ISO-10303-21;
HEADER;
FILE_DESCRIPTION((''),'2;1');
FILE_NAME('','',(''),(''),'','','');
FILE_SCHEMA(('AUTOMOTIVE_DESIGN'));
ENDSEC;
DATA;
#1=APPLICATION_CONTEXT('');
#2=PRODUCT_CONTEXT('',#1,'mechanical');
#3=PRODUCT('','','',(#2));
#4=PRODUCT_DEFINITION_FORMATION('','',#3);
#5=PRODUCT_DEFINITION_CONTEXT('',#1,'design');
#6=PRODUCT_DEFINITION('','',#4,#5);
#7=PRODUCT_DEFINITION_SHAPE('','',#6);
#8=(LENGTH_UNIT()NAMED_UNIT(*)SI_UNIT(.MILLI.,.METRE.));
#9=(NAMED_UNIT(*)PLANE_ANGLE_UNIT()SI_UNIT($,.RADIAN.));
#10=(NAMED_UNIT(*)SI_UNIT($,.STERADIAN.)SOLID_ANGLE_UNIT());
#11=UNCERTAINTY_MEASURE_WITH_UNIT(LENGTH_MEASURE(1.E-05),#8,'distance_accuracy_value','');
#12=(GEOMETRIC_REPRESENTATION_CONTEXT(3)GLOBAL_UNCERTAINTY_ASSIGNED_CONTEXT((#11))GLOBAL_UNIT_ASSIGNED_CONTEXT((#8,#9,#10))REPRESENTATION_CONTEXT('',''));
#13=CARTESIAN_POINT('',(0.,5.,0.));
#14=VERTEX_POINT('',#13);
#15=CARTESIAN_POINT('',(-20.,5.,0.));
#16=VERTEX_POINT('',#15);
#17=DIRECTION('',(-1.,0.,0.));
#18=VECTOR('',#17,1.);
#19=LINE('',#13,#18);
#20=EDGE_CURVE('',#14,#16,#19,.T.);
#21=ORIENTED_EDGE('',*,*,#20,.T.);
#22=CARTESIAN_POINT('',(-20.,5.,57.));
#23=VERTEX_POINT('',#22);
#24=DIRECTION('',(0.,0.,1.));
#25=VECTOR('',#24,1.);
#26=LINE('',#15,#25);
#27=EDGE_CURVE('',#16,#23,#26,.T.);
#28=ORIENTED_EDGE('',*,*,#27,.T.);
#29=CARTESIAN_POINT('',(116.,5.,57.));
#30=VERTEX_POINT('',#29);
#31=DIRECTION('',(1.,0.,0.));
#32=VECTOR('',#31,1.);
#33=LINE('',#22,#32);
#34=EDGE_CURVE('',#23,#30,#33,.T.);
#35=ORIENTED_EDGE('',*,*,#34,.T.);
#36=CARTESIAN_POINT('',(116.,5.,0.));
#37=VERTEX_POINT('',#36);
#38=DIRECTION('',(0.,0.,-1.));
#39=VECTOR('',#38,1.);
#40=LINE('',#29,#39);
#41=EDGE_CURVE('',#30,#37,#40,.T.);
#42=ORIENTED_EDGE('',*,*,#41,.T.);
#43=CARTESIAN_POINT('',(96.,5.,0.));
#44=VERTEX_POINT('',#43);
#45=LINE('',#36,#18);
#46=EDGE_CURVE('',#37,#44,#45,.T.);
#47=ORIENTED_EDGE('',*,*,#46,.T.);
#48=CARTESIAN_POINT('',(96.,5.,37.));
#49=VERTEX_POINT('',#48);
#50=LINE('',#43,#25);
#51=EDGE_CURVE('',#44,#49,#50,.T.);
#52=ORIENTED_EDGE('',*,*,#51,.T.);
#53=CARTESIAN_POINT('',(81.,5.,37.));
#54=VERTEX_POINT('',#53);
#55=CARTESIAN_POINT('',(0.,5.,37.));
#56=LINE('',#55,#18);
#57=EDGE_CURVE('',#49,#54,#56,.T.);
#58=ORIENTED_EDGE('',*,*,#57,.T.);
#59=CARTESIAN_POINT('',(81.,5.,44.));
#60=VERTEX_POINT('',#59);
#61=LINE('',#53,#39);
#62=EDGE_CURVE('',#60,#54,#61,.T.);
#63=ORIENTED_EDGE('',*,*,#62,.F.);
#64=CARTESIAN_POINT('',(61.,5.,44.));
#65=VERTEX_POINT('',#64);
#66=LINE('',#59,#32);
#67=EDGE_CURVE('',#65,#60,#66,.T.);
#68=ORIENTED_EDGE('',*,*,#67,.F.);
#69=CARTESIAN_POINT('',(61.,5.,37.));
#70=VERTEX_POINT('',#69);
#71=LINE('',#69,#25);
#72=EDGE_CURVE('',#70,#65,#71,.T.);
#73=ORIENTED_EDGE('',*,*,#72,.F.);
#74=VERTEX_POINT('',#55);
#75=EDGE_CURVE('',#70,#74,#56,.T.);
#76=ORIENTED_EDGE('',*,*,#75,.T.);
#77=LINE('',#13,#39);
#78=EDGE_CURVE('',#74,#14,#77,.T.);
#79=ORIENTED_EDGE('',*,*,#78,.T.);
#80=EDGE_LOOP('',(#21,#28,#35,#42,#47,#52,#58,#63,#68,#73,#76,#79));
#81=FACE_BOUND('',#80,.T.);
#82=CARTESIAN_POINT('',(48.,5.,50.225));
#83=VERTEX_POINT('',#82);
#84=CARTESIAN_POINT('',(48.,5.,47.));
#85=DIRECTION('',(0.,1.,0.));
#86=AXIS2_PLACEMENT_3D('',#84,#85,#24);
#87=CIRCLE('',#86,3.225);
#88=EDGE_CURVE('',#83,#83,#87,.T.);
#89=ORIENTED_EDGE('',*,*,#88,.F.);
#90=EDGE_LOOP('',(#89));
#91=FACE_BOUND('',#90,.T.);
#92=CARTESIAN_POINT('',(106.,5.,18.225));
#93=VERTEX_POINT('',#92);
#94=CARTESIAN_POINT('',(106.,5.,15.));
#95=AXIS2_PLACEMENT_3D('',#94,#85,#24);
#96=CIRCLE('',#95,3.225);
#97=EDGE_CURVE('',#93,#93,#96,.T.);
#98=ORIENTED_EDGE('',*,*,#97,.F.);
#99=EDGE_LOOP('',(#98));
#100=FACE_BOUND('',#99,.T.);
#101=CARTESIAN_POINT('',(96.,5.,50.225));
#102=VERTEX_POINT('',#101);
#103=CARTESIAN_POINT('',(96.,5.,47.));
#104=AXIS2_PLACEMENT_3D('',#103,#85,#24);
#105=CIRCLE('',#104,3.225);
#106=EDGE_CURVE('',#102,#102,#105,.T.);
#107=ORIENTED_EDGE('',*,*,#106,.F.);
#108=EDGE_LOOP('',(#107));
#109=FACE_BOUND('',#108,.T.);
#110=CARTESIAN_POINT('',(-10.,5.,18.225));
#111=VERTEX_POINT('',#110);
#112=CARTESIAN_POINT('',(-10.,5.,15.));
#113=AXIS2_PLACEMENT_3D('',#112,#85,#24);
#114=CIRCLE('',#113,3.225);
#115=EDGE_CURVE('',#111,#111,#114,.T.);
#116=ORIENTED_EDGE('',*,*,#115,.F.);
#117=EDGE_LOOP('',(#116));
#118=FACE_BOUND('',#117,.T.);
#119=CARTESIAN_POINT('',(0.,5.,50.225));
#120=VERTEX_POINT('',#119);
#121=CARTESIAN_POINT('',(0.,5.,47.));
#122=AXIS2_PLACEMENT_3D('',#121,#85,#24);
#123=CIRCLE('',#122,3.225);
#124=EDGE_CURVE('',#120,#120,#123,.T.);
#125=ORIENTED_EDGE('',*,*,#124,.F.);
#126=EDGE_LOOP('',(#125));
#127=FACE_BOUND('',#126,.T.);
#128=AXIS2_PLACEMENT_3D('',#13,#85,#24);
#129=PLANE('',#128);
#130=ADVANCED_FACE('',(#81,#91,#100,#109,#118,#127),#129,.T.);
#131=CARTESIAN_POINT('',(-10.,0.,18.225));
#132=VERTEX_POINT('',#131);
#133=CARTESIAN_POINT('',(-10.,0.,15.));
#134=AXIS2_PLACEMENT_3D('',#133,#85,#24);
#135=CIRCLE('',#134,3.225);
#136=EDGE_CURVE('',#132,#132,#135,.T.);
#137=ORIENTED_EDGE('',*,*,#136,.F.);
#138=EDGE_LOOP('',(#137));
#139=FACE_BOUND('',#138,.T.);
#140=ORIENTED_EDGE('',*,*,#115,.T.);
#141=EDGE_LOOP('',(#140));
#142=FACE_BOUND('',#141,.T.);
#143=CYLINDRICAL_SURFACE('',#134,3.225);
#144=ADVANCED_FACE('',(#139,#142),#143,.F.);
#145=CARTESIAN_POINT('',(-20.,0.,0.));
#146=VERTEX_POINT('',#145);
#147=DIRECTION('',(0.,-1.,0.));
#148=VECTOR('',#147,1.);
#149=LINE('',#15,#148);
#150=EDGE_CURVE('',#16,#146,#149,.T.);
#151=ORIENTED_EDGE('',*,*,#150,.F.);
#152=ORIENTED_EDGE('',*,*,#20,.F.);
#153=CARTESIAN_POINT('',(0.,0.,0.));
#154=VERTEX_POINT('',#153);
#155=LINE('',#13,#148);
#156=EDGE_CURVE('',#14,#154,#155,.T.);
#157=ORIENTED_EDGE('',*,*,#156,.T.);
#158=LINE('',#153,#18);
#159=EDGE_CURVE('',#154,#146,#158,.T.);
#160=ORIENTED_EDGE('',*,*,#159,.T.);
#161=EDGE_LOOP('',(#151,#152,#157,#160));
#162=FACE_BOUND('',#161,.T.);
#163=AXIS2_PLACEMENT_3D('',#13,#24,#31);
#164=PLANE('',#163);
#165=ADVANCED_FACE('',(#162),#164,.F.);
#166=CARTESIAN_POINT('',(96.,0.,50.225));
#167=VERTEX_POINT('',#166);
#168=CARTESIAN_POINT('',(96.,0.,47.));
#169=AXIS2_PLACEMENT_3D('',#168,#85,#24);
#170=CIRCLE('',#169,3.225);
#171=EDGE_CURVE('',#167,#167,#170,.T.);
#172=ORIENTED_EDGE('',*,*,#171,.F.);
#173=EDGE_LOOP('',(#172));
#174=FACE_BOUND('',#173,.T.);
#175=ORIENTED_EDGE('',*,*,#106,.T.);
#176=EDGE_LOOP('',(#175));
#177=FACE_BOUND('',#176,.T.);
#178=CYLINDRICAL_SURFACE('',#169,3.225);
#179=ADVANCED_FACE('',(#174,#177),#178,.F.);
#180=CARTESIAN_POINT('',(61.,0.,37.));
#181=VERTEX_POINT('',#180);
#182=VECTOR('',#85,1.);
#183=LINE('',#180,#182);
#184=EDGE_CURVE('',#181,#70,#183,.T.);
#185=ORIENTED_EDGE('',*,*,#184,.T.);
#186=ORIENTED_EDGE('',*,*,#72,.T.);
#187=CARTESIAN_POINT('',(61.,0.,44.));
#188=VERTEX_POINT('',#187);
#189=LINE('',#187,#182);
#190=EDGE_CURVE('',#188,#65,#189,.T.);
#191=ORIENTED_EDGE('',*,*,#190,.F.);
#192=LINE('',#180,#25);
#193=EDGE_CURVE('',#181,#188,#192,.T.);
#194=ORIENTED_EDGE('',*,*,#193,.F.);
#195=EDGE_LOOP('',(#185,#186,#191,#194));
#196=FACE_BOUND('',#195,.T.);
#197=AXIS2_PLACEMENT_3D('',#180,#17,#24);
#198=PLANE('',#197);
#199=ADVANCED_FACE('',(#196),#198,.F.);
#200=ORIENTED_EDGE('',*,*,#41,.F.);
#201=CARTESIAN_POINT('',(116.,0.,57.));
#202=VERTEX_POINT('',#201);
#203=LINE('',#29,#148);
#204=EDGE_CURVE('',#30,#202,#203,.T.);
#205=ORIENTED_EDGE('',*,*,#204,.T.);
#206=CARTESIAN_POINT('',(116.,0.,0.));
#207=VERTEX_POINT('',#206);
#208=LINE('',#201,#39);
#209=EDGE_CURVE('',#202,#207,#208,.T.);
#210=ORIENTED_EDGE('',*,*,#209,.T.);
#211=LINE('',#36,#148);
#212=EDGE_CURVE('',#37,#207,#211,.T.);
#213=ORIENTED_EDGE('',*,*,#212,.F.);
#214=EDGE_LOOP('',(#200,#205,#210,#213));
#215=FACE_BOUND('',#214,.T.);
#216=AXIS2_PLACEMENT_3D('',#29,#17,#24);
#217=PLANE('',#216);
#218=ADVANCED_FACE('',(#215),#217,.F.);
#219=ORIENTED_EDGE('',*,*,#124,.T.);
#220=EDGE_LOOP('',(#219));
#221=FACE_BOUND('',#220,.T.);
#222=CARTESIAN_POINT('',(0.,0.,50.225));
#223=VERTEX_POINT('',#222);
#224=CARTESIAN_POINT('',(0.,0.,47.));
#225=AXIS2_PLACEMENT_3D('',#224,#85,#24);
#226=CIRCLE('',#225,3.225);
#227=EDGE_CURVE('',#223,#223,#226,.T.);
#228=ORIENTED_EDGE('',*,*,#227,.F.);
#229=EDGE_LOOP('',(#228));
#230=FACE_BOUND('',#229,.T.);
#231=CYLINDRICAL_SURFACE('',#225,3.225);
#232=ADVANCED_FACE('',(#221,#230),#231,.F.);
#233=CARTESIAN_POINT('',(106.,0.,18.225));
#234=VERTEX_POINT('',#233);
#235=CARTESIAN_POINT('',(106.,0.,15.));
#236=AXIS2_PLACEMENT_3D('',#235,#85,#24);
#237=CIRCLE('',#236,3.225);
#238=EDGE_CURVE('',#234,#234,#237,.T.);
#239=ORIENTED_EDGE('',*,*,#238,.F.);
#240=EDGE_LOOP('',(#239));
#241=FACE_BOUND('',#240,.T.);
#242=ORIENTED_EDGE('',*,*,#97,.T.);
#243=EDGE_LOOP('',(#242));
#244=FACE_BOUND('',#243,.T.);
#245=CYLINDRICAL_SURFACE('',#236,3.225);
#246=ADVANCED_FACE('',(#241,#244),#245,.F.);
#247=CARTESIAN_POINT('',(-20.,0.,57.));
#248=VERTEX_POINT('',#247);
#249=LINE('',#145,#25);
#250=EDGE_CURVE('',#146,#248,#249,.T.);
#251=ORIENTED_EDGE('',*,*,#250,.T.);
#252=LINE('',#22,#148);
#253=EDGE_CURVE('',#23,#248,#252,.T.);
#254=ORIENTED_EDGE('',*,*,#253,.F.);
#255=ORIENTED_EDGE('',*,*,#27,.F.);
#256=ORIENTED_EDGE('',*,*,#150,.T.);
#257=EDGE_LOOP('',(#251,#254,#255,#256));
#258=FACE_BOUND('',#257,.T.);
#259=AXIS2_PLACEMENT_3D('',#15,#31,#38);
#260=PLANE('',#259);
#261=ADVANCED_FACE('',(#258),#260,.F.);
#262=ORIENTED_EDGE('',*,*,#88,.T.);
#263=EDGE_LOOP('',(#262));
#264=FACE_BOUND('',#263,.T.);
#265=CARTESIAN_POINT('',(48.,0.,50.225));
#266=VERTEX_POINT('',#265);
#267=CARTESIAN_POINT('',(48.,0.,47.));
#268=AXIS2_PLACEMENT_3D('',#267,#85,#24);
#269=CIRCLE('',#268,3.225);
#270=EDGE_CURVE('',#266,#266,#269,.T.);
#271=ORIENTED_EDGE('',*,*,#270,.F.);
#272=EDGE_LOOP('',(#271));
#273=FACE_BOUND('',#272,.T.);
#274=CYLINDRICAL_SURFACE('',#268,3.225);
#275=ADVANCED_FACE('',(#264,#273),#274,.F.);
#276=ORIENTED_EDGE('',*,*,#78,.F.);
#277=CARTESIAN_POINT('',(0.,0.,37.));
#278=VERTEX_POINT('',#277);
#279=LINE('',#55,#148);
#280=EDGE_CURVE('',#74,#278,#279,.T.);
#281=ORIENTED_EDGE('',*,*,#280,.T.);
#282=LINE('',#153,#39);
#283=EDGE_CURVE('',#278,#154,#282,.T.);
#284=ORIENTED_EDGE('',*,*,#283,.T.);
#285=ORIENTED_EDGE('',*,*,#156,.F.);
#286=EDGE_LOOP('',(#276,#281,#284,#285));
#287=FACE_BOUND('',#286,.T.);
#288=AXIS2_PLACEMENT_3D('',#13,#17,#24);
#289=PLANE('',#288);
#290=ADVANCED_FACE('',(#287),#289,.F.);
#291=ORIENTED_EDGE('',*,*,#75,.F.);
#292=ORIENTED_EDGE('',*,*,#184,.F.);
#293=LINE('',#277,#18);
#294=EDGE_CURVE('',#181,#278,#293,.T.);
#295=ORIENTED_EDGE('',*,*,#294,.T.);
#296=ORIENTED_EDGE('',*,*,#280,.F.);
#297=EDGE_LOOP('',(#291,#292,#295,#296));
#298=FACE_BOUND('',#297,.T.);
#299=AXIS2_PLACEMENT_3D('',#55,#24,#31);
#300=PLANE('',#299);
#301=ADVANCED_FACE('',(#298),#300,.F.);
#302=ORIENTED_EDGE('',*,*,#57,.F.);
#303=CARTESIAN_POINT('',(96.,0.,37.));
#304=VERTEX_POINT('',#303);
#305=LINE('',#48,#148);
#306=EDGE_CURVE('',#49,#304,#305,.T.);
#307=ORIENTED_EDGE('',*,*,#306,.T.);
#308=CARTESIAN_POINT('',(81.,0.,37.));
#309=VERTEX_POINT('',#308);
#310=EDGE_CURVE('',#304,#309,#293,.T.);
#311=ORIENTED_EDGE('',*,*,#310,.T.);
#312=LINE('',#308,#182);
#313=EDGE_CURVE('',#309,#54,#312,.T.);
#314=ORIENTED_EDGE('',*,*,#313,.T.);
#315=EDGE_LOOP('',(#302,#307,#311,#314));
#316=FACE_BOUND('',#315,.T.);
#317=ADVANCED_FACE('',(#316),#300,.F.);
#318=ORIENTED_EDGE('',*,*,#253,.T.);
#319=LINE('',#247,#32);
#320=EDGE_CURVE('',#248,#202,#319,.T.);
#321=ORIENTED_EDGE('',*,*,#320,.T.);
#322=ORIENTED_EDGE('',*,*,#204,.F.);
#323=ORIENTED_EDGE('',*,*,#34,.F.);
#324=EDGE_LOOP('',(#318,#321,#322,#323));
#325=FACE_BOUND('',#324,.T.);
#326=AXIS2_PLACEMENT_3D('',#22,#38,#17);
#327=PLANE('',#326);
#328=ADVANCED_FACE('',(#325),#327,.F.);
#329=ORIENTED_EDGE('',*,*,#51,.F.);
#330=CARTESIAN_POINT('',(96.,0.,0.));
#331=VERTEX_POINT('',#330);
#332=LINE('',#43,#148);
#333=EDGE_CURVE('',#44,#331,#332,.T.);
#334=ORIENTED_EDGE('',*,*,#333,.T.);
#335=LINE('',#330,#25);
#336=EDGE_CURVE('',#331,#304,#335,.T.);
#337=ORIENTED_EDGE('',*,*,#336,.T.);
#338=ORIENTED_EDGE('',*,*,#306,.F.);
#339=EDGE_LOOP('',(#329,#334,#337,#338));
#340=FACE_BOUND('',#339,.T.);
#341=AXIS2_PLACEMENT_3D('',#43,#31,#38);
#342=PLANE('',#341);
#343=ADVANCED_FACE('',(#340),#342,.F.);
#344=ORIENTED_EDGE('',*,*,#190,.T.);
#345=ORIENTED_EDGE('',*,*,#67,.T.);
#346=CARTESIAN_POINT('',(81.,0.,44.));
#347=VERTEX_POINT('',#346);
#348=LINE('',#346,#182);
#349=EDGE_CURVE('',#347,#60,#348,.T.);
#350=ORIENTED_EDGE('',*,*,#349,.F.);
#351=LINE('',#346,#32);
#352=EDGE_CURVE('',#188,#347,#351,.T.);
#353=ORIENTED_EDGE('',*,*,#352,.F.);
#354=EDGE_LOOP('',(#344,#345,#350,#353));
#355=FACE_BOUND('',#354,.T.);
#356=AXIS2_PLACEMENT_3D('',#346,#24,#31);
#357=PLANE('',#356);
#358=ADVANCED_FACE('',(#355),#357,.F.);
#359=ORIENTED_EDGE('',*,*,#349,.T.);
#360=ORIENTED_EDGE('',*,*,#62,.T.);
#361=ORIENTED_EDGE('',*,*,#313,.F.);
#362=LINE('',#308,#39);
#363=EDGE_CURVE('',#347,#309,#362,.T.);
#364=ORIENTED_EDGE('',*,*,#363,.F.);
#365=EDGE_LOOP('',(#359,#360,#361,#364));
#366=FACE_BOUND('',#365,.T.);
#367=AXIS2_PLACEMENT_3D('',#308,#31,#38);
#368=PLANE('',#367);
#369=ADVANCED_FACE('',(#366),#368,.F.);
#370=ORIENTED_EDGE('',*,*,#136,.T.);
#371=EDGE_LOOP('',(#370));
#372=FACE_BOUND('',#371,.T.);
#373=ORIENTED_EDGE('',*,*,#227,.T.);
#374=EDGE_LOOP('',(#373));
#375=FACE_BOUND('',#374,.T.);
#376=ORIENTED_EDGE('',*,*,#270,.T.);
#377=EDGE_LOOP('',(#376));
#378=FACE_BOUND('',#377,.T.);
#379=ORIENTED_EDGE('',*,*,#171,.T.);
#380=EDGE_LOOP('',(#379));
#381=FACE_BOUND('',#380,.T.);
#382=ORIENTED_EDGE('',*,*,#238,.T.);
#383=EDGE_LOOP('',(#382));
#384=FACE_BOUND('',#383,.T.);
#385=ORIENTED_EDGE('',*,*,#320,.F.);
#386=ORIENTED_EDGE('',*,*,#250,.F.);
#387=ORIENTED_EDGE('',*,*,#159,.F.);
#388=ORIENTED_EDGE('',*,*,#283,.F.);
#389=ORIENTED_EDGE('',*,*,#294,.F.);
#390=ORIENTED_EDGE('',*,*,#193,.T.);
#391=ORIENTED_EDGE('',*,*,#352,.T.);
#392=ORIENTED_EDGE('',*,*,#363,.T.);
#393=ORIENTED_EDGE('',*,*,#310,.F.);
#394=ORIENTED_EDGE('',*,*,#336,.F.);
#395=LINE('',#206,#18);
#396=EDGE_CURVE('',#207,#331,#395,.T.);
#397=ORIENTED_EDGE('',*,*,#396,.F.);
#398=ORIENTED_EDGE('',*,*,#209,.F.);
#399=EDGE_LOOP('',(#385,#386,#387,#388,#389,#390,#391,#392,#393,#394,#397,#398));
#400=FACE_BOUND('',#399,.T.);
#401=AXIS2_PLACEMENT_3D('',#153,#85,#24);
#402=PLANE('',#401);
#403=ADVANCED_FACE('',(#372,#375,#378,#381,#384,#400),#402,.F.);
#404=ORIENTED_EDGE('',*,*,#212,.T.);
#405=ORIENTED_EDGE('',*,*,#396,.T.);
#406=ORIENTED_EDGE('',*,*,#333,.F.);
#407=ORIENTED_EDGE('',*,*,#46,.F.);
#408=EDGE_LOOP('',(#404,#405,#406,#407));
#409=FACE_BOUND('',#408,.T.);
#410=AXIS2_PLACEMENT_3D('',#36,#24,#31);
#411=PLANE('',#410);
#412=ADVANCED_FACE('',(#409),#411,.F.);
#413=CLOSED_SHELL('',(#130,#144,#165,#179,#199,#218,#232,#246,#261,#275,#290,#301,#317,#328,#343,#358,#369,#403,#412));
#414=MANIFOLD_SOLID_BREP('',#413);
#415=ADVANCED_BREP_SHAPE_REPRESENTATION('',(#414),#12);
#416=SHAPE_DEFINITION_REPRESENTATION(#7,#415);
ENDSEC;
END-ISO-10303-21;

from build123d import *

# Parameters (mm, degrees)
BOSS_EXTRUDE1_DEPTH = 5
SKETCH3_W           = 20
SKETCH3_H           = 7
CUT_EXTRUDE1_DEPTH  = 130.344501236
SKETCH4_R           = 3.225
CUT_EXTRUDE2_DEPTH  = 130.344501236


with BuildPart() as part:
    # Sketch2 → Boss-Extrude1 (new body)
    with BuildSketch(Plane(origin=(0, 0, 0), x_dir=(1, 0, 0), z_dir=(0, 1, 0))):
        Polygon((0, 0), (-20, 0), (-20, -57), (116, -57), (116, 0), (96, 0), (96, -37), (0, -37), align=None)
    extrude(amount=BOSS_EXTRUDE1_DEPTH)

    # Sketch3 → Cut-Extrude1 (cut, through all)
    with BuildSketch(Plane(origin=(0, 5, 0), x_dir=(1, 0, 0), z_dir=(0, 1, 0))):
        with Locations((71, -40.5)):
            Rectangle(SKETCH3_W, SKETCH3_H)
    extrude(amount=-CUT_EXTRUDE1_DEPTH, mode=Mode.SUBTRACT)

    # Sketch4 → Cut-Extrude2 (cut, through all)
    with BuildSketch(Plane(origin=(0, 5, 0), x_dir=(1, 0, 0), z_dir=(0, 1, 0))):
        with Locations(Location((-10, -15, 0), (0, 0, 270))):
            Circle(SKETCH4_R)
        with Locations(Location((0, -47, 0), (0, 0, 270))):
            Circle(SKETCH4_R)
        with Locations(Location((48, -47, 0), (0, 0, 270))):
            Circle(SKETCH4_R)
        with Locations(Location((96, -47, 0), (0, 0, 270))):
            Circle(SKETCH4_R)
        with Locations(Location((106, -15, 0), (0, 0, 270))):
            Circle(SKETCH4_R)
    extrude(amount=-CUT_EXTRUDE2_DEPTH, mode=Mode.SUBTRACT)


solid = part.part
